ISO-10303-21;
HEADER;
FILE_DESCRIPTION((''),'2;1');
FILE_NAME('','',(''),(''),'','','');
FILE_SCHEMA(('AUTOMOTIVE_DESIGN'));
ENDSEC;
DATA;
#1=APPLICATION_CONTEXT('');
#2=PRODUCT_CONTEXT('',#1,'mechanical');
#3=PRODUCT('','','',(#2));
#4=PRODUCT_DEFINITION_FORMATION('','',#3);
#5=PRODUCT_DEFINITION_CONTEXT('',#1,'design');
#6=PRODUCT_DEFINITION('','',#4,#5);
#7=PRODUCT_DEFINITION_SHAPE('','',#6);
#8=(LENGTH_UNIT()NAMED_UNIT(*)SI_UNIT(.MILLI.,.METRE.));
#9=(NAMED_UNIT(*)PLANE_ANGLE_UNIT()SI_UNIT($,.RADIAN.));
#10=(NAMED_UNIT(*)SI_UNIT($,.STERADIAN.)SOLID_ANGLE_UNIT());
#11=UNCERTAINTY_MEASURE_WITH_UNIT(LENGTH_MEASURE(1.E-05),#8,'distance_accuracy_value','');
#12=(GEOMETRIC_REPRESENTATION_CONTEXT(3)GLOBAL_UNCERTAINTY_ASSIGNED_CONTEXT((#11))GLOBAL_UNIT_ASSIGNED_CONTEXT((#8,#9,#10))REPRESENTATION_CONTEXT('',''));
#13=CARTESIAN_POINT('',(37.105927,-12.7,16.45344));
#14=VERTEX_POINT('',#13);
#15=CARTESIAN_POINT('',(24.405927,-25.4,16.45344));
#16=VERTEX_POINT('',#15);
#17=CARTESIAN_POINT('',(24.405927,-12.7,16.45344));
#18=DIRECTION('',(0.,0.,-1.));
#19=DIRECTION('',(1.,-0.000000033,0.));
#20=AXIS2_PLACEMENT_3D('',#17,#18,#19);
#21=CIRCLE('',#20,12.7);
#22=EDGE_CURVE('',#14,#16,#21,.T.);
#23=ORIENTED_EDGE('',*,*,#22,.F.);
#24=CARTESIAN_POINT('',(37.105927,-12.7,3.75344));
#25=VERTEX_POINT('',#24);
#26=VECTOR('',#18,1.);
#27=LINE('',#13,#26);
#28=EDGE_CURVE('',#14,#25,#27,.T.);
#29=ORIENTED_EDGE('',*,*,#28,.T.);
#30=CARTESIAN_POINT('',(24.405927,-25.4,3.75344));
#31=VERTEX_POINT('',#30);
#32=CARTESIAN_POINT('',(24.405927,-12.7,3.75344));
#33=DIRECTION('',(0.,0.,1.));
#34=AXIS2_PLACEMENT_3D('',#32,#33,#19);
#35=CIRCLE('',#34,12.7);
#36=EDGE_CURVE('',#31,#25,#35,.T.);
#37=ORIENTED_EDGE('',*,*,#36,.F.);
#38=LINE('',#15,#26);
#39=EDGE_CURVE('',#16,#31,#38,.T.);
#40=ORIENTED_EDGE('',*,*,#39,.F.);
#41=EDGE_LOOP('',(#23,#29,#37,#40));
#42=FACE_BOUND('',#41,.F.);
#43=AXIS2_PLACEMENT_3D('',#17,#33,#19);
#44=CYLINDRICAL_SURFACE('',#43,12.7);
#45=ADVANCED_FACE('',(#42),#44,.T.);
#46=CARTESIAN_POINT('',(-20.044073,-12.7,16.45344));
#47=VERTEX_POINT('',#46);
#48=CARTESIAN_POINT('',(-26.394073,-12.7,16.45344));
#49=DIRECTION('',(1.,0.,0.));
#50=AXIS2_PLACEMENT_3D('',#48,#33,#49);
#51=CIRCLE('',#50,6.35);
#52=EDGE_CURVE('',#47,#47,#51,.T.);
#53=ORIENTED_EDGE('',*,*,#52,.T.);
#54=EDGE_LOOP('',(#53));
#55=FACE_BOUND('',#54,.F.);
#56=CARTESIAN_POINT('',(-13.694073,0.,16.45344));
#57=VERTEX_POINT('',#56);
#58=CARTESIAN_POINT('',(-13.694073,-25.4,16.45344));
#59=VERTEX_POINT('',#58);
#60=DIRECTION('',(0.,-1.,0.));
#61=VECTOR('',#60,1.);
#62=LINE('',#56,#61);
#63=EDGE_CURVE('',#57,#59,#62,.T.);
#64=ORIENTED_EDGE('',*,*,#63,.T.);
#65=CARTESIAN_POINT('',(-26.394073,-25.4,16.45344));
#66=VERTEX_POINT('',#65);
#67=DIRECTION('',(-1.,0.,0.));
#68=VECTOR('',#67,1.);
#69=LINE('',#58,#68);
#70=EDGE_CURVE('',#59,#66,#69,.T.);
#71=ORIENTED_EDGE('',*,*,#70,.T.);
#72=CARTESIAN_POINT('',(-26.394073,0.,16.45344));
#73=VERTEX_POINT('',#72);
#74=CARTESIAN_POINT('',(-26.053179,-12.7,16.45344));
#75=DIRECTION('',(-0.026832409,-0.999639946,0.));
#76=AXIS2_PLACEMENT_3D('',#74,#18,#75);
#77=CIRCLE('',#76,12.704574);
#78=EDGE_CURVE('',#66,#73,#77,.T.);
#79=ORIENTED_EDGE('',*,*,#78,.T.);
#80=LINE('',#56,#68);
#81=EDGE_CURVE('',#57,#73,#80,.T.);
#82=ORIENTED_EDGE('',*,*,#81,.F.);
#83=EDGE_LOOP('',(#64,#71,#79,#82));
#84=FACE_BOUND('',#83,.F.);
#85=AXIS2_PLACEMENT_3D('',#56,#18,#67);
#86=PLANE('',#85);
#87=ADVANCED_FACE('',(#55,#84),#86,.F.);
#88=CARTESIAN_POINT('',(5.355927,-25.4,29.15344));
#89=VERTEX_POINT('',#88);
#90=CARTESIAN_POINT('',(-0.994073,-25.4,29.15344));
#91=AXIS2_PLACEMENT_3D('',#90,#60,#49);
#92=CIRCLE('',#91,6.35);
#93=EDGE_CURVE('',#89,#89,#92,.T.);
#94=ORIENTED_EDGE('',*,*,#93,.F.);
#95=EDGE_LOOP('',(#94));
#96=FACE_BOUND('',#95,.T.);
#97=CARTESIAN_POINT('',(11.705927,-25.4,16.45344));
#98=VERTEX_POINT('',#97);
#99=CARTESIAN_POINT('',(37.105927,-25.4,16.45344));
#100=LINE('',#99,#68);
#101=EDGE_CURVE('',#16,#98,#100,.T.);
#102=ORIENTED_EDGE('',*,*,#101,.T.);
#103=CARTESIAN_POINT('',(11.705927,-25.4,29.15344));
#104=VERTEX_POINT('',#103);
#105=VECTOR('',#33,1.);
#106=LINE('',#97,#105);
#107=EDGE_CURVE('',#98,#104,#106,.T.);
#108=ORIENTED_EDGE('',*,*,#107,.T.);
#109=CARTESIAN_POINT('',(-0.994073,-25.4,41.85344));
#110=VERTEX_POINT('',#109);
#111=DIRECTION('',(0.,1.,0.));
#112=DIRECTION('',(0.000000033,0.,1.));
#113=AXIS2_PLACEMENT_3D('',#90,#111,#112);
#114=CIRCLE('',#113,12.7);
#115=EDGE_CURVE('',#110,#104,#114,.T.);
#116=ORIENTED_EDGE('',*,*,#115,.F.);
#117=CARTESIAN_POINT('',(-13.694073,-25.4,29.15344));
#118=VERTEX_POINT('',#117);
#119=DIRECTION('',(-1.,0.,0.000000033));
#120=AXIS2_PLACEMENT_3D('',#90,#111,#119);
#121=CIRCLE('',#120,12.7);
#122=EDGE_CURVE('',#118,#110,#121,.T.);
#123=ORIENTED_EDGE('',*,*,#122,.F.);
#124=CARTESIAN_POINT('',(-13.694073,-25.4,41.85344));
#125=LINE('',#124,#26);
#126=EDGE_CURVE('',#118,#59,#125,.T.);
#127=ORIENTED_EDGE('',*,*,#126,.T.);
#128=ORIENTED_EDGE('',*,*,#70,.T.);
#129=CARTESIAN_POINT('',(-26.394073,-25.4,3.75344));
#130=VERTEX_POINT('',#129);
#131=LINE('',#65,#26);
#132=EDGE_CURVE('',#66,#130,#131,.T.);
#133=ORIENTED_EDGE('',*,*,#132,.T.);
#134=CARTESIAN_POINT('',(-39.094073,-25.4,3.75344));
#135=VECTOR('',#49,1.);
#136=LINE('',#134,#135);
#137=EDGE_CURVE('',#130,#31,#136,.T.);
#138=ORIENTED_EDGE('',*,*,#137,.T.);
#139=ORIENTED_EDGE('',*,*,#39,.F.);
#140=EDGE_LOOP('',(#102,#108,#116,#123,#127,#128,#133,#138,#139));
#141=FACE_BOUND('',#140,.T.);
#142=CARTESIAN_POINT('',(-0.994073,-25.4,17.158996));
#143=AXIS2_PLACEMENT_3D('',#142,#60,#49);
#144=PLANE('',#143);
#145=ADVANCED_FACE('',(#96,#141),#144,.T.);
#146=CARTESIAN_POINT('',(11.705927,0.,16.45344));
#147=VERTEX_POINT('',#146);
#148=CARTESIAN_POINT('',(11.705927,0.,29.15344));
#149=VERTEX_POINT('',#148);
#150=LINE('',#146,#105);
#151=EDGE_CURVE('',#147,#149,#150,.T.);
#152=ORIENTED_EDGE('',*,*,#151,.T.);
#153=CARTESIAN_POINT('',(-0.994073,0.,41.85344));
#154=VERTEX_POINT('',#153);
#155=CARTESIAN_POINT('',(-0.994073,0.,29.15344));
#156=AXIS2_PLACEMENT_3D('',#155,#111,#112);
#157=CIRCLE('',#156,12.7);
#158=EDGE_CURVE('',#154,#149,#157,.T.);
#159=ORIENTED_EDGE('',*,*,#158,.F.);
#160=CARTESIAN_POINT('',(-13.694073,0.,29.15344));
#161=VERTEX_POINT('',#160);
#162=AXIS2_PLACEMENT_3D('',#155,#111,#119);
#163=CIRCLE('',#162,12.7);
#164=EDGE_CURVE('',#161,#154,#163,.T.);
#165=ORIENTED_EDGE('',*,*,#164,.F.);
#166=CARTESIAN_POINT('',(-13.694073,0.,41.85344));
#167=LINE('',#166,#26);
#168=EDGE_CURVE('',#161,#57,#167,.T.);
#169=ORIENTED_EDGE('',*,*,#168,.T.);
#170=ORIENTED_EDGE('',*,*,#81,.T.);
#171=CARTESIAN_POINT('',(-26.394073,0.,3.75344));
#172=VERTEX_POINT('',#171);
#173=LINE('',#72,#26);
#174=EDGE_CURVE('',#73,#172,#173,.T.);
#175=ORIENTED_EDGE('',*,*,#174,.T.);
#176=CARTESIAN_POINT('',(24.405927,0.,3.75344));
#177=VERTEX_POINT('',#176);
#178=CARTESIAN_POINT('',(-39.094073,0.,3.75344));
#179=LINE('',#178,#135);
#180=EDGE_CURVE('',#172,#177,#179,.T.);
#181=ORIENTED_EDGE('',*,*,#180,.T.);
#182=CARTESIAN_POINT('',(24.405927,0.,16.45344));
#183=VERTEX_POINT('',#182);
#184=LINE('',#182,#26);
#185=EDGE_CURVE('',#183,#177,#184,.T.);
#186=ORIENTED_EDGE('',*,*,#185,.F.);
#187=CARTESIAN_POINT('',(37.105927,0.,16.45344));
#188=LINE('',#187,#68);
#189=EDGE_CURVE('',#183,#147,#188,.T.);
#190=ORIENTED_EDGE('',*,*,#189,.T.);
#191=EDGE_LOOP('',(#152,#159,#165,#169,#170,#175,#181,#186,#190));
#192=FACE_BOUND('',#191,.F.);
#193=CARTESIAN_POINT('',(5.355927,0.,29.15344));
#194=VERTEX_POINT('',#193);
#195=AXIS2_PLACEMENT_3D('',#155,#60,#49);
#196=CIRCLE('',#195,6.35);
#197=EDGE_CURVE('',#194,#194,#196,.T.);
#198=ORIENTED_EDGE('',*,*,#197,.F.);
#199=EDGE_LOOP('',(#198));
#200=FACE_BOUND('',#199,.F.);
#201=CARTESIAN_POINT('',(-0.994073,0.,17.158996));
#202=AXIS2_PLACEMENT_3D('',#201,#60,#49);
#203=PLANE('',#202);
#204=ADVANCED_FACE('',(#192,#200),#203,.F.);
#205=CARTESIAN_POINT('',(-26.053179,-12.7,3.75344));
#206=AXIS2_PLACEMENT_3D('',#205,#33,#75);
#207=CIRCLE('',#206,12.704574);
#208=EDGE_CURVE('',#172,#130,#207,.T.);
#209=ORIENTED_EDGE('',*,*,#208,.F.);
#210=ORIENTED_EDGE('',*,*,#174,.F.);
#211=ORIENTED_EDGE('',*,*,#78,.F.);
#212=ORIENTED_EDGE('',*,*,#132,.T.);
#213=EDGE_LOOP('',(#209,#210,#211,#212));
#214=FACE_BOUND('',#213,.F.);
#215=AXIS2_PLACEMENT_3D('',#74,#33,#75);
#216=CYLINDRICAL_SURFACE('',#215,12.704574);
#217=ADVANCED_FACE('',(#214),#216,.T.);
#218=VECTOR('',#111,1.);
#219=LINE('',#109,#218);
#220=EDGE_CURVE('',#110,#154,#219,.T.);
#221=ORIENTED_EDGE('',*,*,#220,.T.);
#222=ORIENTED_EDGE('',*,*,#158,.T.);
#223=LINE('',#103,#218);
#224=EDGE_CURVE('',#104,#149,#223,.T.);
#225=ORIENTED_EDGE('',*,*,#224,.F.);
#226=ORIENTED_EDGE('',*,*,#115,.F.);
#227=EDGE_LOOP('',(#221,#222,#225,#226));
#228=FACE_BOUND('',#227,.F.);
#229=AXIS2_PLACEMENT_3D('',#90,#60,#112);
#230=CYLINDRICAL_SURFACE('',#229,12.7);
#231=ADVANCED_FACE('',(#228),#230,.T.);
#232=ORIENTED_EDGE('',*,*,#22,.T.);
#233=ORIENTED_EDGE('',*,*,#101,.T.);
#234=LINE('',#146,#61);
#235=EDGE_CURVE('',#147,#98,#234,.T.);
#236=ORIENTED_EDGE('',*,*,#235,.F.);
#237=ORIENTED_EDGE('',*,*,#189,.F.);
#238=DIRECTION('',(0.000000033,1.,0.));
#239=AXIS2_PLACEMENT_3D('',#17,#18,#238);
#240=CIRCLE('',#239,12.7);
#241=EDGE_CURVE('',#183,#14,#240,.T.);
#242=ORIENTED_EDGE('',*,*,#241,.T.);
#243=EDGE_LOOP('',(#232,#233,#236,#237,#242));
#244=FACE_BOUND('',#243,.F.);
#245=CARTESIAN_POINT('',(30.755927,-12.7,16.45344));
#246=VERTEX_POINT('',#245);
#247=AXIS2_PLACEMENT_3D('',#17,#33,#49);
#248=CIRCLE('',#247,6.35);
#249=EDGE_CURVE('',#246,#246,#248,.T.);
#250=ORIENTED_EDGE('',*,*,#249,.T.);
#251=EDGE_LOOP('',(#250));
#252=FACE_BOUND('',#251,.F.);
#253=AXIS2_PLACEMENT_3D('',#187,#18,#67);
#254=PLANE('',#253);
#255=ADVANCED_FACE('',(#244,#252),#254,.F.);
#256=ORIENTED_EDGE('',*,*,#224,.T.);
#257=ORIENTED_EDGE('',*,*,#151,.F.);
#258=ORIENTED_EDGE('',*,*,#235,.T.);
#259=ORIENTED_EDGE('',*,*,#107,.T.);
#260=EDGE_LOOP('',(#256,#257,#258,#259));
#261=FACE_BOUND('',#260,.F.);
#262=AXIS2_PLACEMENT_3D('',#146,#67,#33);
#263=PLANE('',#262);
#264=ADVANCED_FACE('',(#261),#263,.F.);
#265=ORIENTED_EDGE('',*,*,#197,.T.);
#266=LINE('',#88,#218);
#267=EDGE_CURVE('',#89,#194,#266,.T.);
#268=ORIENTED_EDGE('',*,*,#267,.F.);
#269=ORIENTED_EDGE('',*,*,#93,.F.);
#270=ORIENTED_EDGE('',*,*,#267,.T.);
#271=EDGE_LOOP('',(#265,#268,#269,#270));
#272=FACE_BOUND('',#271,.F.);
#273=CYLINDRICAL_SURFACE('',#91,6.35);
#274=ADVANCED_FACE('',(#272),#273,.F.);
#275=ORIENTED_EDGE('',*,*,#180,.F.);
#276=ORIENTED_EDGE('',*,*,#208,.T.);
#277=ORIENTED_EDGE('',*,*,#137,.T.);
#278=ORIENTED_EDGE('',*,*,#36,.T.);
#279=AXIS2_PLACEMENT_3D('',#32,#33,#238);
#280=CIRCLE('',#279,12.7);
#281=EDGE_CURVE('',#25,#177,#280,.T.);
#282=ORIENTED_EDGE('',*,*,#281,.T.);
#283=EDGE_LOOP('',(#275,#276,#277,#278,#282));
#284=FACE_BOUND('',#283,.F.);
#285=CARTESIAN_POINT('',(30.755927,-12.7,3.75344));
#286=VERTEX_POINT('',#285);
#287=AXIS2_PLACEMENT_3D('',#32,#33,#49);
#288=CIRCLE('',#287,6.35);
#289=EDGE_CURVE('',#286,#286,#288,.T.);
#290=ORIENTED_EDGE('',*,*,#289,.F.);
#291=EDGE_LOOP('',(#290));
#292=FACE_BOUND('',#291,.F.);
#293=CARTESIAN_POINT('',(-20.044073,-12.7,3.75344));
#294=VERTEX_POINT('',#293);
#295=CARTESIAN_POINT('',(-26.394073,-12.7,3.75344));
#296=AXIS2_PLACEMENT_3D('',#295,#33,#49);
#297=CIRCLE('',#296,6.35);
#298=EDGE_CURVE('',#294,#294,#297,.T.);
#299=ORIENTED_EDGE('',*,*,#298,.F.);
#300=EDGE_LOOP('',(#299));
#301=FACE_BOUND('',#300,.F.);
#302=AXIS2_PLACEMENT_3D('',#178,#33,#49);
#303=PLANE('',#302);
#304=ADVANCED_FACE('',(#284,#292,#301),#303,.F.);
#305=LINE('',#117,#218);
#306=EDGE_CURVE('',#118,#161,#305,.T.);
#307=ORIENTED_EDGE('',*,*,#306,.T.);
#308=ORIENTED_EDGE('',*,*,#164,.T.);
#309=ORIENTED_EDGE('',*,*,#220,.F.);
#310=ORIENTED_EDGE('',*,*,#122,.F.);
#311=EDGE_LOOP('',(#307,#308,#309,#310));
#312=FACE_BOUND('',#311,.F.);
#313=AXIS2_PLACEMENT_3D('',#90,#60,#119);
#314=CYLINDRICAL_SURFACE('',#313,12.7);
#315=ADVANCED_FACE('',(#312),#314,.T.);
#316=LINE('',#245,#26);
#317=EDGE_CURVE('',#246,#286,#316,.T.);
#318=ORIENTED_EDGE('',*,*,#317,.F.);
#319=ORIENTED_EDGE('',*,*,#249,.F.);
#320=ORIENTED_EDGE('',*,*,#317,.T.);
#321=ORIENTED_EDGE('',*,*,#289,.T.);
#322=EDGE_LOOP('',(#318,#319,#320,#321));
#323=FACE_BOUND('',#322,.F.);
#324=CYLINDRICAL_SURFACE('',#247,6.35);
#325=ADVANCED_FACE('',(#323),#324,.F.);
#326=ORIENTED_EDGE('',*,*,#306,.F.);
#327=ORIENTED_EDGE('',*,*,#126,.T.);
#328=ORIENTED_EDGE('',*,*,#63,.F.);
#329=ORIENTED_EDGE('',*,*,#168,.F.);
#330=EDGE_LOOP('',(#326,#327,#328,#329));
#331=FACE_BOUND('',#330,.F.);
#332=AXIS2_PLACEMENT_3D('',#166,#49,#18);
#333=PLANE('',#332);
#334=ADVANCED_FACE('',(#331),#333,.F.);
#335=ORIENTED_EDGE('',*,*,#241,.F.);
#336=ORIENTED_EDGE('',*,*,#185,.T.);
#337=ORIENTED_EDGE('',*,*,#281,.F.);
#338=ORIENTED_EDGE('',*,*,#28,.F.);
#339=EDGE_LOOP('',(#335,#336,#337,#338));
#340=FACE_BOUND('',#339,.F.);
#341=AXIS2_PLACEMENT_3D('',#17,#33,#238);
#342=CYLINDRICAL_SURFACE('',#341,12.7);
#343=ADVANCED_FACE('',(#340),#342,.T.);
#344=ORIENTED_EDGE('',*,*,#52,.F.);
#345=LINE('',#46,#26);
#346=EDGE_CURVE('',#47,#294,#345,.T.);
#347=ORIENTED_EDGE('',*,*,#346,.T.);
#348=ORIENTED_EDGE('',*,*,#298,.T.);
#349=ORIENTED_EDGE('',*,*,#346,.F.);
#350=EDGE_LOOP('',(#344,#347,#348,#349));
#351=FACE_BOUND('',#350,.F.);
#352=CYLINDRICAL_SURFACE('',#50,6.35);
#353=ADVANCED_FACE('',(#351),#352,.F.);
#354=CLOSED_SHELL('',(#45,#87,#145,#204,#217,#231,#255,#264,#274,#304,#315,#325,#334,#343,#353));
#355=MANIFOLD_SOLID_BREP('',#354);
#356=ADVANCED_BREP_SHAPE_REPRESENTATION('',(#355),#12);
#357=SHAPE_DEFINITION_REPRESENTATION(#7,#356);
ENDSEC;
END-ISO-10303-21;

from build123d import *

# Parameters (mm, degrees)
F1_DEPTH = 25.4
F2_R     = 6.35
F3_DEPTH = 25.4
F4_R     = 6.35
F5_DEPTH = 25.4
F6_R     = 6.35
F7_DEPTH = 25.4


with BuildPart() as f1:
    # F0 (on Front) → F1 (new body)
    with BuildSketch(Plane.XZ):
        Polygon((-13.694073, 16.45344), (-39.094073, 16.45344), (-39.094073, 3.75344), (37.105927, 3.75344), (37.105927, 16.45344), (11.705927, 16.45344), (11.705927, 41.85344), (-13.694073, 41.85344), align=None)
    extrude(amount=F1_DEPTH)

    # F2 (on face) → F3 (cut)
    with BuildSketch(Plane.XZ.offset(25.4)):
        with Locations((-0.994073, 29.15344)):
            Circle(F2_R)
        with BuildLine():
            ThreePointArc((-13.694073, 29.15344), (-9.974329, 38.133696), (-0.994073, 41.85344))
            Line((-0.994073, 41.85344), (-13.694073, 41.85344))
            Line((-13.694073, 41.85344), (-13.694073, 29.15344))
        make_face()
        with BuildLine():
            ThreePointArc((-0.994073, 41.85344), (7.986183, 38.133696), (11.705927, 29.15344))
            Line((11.705927, 29.15344), (11.705927, 41.85344))
            Line((11.705927, 41.85344), (-0.994073, 41.85344))
        make_face()
    extrude(amount=-F3_DEPTH, mode=Mode.SUBTRACT)

    # F4 (on face) → F5 (cut)
    with BuildSketch(Plane.XY.offset(16.45344)):
        with Locations((-26.394073, -12.7)):
            Circle(F4_R)
        with BuildLine():
            ThreePointArc((-26.394073, -25.4), (-38.757753, -12.7), (-26.394073, 0))
            Line((-26.394073, 0), (-39.094073, 0))
            Line((-39.094073, 0), (-39.094073, -25.4))
            Line((-39.094073, -25.4), (-26.394073, -25.4))
        make_face()
    extrude(amount=-F5_DEPTH, mode=Mode.SUBTRACT)

    # F6 (on face) → F7 (cut)
    with BuildSketch(Plane.XY.offset(16.45344)):
        with Locations((24.405927, -12.7)):
            Circle(F6_R)
        with BuildLine():
            ThreePointArc((24.405927, 0), (33.386183, -3.719744), (37.105927, -12.7))
            Line((37.105927, -12.7), (37.105927, 0))
            Line((37.105927, 0), (24.405927, 0))
        make_face()
        with BuildLine():
            ThreePointArc((37.105927, -12.7), (33.386183, -21.680256), (24.405927, -25.4))
            Line((24.405927, -25.4), (37.105927, -25.4))
            Line((37.105927, -25.4), (37.105927, -12.7))
        make_face()
    extrude(amount=-F7_DEPTH, mode=Mode.SUBTRACT)


solid = f1.part
